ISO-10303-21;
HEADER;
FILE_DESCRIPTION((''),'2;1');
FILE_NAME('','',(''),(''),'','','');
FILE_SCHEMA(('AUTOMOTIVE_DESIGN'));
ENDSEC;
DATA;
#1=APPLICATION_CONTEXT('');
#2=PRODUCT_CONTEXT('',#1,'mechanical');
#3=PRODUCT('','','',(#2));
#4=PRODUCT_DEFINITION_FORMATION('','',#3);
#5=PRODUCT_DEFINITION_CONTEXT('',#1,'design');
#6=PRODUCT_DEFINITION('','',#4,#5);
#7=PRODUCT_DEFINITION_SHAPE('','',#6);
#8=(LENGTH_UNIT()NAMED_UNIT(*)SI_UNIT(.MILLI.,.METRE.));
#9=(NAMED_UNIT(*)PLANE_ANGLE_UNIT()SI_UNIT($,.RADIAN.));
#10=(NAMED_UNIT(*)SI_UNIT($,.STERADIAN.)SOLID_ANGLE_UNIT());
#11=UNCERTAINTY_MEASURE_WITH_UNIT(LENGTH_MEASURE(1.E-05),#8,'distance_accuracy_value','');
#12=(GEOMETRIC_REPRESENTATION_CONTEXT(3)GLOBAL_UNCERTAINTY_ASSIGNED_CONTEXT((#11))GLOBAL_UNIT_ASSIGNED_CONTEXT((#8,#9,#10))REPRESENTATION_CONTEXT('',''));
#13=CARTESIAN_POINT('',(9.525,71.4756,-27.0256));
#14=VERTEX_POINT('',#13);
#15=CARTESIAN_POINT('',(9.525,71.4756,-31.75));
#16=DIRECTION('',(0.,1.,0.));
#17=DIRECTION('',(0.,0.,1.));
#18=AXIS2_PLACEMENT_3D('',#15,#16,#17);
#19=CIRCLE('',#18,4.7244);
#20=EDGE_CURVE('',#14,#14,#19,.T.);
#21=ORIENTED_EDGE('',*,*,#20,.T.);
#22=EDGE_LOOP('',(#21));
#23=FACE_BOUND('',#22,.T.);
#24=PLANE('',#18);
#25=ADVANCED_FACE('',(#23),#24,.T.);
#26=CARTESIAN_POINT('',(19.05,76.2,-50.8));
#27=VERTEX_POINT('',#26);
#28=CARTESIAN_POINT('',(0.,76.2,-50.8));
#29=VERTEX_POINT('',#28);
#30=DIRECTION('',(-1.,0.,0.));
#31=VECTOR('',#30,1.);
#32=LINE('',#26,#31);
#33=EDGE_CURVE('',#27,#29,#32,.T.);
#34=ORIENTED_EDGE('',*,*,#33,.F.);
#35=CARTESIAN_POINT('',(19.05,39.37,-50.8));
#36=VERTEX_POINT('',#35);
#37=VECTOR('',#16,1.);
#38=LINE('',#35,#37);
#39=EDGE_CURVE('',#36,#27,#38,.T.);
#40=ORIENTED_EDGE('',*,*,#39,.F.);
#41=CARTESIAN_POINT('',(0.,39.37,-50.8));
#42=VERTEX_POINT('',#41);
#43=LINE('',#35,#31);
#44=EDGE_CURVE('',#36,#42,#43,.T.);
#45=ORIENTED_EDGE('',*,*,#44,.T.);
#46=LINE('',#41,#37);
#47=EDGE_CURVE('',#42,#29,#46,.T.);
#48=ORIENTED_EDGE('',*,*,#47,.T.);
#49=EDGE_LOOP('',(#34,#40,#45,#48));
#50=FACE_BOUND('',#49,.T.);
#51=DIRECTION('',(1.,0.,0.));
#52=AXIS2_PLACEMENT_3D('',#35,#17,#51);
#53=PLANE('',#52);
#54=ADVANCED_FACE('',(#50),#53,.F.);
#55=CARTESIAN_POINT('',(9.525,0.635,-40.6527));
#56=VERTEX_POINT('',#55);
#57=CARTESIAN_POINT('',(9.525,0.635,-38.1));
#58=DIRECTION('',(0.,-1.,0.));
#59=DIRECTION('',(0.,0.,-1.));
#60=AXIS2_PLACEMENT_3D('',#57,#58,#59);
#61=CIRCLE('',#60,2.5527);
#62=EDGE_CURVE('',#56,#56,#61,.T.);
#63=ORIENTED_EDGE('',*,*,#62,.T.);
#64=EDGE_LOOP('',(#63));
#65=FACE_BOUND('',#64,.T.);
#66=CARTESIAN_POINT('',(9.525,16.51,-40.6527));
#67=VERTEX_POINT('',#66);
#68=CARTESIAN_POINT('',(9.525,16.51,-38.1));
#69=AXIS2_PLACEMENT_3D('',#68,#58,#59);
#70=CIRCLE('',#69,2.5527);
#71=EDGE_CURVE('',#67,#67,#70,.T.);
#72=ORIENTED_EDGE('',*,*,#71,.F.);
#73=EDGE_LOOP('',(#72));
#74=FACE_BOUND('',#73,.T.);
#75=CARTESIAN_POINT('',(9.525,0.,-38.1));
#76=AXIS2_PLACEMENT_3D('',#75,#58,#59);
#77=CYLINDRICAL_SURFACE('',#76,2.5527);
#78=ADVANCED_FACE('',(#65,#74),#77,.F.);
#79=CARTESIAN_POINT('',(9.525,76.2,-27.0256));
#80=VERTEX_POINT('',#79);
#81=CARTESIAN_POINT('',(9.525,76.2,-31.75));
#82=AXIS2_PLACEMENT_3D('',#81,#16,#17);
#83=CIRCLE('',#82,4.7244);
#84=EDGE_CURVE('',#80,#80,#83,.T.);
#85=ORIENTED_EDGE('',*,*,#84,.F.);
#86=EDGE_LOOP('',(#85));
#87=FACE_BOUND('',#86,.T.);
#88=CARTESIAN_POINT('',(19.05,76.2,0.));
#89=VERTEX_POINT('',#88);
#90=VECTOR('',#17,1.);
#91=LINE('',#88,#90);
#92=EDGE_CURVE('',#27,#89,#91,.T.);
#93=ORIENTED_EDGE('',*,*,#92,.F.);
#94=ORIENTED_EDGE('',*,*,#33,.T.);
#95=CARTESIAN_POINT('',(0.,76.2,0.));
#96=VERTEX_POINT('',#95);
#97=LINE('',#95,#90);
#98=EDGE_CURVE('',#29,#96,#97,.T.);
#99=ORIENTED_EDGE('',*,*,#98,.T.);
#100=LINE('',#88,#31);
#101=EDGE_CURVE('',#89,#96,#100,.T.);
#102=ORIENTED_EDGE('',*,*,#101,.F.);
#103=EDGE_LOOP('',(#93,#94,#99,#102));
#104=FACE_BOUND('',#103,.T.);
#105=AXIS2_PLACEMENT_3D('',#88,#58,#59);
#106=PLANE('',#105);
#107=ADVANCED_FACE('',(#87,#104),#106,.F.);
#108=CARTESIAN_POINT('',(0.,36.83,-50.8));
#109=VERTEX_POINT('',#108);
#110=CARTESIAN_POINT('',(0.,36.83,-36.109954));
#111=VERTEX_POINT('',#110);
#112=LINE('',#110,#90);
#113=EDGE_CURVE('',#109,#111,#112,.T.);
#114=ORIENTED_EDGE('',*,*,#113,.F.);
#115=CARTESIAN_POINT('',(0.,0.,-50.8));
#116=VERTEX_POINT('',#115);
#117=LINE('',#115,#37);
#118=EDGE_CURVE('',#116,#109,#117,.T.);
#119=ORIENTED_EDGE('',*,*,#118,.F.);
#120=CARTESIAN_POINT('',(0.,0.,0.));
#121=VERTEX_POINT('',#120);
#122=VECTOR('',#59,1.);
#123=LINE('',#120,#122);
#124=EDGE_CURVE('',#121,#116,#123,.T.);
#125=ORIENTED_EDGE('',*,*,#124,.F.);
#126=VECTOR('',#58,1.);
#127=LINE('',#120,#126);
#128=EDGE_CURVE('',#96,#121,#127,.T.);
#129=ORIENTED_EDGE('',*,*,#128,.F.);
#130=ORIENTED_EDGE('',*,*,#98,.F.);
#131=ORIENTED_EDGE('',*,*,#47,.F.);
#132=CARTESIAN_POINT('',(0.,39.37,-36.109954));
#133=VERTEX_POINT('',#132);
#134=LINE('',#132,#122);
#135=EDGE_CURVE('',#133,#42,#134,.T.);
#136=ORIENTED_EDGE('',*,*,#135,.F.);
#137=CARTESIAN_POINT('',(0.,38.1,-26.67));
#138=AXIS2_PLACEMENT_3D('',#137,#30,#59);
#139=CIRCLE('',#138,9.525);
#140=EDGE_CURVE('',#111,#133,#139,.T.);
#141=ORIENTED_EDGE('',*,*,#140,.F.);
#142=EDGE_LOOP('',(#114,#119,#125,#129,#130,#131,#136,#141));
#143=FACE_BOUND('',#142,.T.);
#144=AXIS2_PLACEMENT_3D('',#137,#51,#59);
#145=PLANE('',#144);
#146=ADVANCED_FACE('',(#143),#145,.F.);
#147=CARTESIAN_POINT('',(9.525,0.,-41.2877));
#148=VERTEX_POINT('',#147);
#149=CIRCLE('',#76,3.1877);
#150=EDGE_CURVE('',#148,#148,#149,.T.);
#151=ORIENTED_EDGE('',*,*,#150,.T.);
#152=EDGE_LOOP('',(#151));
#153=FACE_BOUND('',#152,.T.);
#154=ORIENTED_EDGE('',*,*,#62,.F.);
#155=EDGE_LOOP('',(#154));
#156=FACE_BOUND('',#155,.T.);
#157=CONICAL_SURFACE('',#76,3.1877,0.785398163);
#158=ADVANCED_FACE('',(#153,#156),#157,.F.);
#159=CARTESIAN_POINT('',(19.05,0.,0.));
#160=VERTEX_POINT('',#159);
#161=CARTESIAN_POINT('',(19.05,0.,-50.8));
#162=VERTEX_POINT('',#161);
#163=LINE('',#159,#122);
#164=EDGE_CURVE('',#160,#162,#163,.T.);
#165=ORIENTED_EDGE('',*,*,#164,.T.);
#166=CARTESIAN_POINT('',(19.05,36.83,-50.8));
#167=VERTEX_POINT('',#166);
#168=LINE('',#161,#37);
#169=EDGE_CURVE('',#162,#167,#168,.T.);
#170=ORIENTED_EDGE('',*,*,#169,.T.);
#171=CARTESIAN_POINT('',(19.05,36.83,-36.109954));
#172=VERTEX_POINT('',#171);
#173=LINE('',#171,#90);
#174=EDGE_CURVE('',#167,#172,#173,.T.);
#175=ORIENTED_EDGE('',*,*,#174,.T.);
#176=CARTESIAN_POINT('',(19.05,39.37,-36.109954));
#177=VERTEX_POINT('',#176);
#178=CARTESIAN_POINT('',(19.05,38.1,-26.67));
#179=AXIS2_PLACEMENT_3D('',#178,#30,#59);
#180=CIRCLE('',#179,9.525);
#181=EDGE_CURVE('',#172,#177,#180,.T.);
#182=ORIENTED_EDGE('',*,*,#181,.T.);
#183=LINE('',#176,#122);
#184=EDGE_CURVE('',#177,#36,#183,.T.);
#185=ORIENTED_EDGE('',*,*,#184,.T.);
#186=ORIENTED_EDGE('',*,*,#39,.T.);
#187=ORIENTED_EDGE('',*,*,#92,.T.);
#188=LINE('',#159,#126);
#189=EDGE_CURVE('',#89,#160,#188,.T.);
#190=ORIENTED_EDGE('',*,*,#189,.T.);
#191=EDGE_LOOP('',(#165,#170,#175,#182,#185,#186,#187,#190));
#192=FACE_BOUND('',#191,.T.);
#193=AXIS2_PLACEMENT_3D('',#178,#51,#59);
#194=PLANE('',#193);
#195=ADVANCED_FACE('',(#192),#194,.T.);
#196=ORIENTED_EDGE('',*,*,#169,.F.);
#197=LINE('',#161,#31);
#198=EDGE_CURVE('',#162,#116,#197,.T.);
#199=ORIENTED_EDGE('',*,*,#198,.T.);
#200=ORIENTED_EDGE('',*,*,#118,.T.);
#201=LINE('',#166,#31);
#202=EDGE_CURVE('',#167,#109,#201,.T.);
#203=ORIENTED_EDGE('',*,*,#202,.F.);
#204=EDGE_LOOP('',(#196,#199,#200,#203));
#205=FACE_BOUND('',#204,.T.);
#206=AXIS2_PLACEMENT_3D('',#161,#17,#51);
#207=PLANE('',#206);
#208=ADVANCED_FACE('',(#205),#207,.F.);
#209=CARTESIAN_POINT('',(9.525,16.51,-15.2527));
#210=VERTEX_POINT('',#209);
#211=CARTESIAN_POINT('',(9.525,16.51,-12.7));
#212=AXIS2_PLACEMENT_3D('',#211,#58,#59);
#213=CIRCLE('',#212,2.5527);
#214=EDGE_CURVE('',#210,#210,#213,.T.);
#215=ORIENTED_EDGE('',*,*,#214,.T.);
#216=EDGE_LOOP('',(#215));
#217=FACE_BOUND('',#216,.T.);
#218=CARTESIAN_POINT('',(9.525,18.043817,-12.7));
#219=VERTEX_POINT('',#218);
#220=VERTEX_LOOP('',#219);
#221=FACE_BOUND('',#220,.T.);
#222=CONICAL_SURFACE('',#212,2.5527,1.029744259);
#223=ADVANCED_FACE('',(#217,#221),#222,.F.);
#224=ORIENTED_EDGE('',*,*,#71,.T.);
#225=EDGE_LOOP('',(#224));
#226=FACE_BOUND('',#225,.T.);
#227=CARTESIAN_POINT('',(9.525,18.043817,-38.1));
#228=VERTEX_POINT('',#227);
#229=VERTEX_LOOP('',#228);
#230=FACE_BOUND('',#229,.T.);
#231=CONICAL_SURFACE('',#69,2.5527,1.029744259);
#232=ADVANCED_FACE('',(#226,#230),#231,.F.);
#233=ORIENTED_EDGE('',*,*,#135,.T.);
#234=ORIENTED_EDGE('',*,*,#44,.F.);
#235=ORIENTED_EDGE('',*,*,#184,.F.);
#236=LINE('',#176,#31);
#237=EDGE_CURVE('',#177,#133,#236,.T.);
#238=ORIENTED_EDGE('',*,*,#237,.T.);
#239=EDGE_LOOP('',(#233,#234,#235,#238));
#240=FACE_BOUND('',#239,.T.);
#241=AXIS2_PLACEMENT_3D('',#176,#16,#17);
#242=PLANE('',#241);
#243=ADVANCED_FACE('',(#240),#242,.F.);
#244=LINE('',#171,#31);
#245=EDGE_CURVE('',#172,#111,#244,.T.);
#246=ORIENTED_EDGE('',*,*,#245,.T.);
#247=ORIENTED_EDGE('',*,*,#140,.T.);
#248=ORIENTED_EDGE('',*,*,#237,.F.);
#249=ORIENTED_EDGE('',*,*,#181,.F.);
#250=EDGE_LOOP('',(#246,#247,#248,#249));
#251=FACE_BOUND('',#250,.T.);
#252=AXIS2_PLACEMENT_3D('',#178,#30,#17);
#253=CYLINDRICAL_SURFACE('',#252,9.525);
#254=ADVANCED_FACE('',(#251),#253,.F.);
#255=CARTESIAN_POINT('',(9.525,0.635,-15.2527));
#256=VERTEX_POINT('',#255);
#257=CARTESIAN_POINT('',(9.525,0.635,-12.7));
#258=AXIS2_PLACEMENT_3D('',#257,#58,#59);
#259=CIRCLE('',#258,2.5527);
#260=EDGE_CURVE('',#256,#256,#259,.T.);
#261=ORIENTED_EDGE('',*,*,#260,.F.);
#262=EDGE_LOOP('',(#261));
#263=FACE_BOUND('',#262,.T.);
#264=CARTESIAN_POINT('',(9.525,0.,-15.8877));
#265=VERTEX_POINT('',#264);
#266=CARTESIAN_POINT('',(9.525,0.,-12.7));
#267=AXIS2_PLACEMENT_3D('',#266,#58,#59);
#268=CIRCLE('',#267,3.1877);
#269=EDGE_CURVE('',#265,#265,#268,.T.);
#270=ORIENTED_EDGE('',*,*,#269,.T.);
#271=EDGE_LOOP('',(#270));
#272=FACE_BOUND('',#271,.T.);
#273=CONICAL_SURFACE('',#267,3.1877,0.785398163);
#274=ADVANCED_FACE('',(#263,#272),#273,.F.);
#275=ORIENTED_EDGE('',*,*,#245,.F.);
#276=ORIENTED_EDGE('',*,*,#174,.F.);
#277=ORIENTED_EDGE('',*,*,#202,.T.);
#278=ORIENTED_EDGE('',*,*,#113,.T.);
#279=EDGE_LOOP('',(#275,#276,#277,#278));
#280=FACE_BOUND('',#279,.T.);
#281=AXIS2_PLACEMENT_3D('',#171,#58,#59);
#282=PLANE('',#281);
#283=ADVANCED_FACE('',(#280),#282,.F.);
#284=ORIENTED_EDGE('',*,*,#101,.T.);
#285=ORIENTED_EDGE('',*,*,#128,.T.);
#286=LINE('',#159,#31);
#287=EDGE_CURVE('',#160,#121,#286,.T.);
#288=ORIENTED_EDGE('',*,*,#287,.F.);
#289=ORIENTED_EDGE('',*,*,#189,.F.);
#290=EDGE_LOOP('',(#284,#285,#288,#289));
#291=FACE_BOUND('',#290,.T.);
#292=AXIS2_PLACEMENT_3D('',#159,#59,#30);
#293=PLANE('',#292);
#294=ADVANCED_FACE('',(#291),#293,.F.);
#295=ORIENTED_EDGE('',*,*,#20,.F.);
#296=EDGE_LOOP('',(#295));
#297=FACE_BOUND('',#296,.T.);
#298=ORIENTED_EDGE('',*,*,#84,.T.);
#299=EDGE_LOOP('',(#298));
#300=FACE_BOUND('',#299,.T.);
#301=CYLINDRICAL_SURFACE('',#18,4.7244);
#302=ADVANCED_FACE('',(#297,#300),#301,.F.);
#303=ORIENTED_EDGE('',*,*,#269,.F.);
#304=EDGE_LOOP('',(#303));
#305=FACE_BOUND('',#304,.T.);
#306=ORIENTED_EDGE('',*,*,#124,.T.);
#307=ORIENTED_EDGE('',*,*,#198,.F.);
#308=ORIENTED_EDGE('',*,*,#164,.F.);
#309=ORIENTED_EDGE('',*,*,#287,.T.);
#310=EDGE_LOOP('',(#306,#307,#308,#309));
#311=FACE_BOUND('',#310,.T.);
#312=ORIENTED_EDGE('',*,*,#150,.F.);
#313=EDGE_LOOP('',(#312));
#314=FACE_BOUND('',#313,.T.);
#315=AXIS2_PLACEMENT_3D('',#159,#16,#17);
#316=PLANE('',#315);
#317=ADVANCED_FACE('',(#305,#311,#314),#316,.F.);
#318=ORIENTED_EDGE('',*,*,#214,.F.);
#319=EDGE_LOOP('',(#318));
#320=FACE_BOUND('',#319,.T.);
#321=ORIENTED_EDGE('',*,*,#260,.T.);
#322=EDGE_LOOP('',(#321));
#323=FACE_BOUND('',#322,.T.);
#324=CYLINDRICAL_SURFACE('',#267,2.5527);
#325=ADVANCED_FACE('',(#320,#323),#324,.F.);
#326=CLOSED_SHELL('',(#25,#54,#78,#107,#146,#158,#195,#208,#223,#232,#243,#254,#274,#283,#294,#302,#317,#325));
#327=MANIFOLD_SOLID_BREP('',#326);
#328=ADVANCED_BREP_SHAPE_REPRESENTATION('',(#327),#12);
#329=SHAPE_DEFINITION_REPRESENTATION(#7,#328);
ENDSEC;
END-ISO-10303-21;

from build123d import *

# Parameters (mm, degrees)
BOSS_EXTRUDE1_DEPTH               = 19.05
F_1_4_20_TAPPED_HOLE1_D           = 5.1054
F_1_4_20_TAPPED_HOLE1_DEPTH       = 16.51
F_1_4_20_TAPPED_HOLE1_CSINK_D     = 6.3754
F_1_4_20_TAPPED_HOLE1_CSINK_ANGLE = 90
F_1_4_20_TAPPED_HOLE1_TIP         = 1.533816902
SKETCH3_R                         = 4.7244
CUT_EXTRUDE1_DEPTH                = 4.7244


with BuildPart() as part:
    # Sketch2 → Boss-Extrude1 (new body)
    with BuildSketch(Plane(origin=(0, 0, 0), x_dir=(0, 0, -1), z_dir=(1, 0, 0))):
        with BuildLine():
            Line((0, 0), (50.8, 0))
            Line((50.8, 0), (50.8, 36.83))
            Line((50.8, 36.83), (36.109953655, 36.83))
            ThreePointArc((36.109953655, 36.83), (17.145, 38.1), (36.109953655, 39.37))
            Line((36.109953655, 39.37), (50.8, 39.37))
            Line((50.8, 39.37), (50.8, 76.2))
            Line((50.8, 76.2), (0, 76.2))
            Line((0, 76.2), (0, 0))
        make_face()
    extrude(amount=BOSS_EXTRUDE1_DEPTH)

    # 1/4-20 Tapped Hole1
    with Locations(Plane(origin=(0, 0, 0), x_dir=(-1, 0, 0), z_dir=(0, -1, 0))):
        with Locations((-9.525, 12.7), (-9.525, 38.1)):
            CounterSinkHole(F_1_4_20_TAPPED_HOLE1_D / 2, F_1_4_20_TAPPED_HOLE1_CSINK_D / 2, depth=F_1_4_20_TAPPED_HOLE1_DEPTH, counter_sink_angle=F_1_4_20_TAPPED_HOLE1_CSINK_ANGLE)
            with Locations((0, 0, -(F_1_4_20_TAPPED_HOLE1_DEPTH + F_1_4_20_TAPPED_HOLE1_TIP / 2))):  # 118° drill point
                Cone(0, F_1_4_20_TAPPED_HOLE1_D / 2, F_1_4_20_TAPPED_HOLE1_TIP, mode=Mode.SUBTRACT)

    # Sketch3 → Cut-Extrude1 (cut)
    with BuildSketch(Plane(origin=(0, 76.2, 0), x_dir=(1, 0, 0), z_dir=(0, 1, 0))):
        with Locations((9.525, 31.75)):
            Circle(SKETCH3_R)
    extrude(amount=-CUT_EXTRUDE1_DEPTH, mode=Mode.SUBTRACT)


solid = part.part
